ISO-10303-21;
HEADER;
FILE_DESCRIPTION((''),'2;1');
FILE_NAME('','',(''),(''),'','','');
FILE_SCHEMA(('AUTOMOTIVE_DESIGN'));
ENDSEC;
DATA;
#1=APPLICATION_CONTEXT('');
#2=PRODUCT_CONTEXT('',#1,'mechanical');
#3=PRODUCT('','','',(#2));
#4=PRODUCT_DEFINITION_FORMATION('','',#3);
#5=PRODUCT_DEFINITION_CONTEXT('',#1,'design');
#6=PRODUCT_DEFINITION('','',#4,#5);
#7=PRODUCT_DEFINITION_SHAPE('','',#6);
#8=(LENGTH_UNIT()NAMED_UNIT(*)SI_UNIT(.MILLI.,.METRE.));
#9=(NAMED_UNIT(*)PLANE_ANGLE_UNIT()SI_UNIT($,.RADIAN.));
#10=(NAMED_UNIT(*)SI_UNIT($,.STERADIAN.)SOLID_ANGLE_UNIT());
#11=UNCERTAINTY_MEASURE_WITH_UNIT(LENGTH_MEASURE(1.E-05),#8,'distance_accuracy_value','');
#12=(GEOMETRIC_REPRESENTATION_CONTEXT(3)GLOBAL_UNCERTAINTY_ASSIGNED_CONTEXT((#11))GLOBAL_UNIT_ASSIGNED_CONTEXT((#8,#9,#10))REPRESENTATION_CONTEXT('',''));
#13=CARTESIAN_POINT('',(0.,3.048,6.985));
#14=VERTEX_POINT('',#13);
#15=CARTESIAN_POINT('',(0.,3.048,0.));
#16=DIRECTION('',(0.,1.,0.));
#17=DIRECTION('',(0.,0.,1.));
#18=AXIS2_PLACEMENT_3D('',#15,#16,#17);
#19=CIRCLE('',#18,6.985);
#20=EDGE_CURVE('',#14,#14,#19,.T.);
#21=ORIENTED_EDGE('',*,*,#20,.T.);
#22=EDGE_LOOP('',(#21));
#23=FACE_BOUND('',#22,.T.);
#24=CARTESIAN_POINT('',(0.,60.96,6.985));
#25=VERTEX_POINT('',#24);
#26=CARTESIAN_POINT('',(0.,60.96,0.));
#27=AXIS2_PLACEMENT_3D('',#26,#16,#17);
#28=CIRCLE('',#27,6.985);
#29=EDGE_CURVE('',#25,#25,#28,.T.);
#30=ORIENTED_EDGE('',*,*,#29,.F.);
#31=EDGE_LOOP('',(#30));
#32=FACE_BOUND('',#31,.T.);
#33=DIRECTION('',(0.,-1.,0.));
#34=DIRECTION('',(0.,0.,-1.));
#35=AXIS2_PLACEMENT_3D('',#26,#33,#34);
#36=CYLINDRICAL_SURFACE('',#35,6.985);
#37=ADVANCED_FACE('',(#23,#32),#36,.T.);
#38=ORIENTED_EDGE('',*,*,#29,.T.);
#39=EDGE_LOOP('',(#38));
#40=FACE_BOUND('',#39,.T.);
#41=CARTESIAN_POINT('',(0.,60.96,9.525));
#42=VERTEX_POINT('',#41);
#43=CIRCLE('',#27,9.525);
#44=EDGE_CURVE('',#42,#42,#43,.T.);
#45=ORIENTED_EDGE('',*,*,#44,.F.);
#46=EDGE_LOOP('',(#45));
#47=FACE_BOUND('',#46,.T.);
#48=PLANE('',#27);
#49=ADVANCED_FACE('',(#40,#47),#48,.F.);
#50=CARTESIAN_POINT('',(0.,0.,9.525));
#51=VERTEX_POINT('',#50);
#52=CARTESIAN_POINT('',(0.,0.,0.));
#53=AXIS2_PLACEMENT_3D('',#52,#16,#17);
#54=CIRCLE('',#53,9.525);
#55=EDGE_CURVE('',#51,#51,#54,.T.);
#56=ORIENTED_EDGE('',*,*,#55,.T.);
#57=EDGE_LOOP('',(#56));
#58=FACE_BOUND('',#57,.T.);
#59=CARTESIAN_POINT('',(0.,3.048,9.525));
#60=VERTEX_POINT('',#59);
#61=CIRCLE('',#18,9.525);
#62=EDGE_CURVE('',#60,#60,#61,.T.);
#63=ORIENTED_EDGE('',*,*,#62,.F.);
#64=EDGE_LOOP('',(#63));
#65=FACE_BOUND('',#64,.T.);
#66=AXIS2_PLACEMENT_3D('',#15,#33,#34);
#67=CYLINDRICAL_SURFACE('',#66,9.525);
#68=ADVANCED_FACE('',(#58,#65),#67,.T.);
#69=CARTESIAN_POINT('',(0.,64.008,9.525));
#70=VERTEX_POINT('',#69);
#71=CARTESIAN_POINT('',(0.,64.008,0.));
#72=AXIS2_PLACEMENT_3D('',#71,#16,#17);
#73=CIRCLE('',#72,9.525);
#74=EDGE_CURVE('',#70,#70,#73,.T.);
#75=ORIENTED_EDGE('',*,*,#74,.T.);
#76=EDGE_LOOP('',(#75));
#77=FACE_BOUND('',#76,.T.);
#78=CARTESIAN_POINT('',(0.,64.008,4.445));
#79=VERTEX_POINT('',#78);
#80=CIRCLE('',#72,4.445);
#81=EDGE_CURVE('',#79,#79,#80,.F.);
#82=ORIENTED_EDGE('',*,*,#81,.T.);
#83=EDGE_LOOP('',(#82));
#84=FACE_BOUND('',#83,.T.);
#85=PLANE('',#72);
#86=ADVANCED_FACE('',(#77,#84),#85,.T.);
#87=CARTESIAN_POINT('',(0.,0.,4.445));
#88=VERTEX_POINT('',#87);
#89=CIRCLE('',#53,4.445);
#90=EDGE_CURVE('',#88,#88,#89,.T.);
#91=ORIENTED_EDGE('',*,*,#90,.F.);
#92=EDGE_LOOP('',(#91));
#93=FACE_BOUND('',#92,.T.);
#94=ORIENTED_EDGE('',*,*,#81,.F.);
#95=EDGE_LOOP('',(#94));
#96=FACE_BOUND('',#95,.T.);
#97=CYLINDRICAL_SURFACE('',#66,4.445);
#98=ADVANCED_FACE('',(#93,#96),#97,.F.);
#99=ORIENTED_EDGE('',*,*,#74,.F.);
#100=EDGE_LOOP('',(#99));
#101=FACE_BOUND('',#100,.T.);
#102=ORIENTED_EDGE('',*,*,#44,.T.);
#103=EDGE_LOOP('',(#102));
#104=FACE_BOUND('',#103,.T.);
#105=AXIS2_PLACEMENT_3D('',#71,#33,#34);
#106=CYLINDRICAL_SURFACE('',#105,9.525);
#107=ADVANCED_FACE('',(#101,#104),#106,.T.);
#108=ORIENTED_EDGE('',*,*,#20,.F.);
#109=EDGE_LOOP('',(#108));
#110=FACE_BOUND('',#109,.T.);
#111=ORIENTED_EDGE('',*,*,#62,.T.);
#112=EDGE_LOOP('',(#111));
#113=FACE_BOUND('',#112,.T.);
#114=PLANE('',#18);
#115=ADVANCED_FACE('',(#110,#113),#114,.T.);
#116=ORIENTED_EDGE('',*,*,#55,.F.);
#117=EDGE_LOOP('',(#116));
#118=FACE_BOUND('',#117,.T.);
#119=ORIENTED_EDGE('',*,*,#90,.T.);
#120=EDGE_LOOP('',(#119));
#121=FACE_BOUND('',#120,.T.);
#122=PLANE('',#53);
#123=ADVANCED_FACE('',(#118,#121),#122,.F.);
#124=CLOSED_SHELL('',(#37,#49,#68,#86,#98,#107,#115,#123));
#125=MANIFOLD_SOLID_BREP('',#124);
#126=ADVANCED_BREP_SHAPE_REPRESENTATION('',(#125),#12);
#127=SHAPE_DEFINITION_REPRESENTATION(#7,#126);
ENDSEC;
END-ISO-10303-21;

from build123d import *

# Parameters (mm, degrees)
SKETCH1_R           = 9.525
SKETCH1_R_2         = 4.445
BOSS_EXTRUDE1_DEPTH = 3.048
SKETCH2_R           = 6.985
SKETCH2_R_2         = 4.445
BOSS_EXTRUDE2_DEPTH = 57.912
SKETCH3_R           = 9.525
SKETCH3_R_2         = 6.985
SKETCH3_R_3         = 4.445
BOSS_EXTRUDE3_DEPTH = 3.048


with BuildPart() as part:
    # Sketch1 → Boss-Extrude1 (new body)
    with BuildSketch(Plane(origin=(0, 0, 0), x_dir=(1, 0, 0), z_dir=(0, 1, 0))):
        with Locations(Location((0, 0, 0), (0, 0, 270))):  # turned: the seam where the file's is
            Circle(SKETCH1_R)
        with Locations(Location((0, 0, 0), (0, 0, 270))):  # turned: the seam where the file's is
            Circle(SKETCH1_R_2, mode=Mode.SUBTRACT)
    extrude(amount=BOSS_EXTRUDE1_DEPTH)

    # Sketch2 → Boss-Extrude2 (add)
    with BuildSketch(Plane(origin=(0, 3.048, 0), x_dir=(1, 0, 0), z_dir=(0, 1, 0))):
        with Locations(Location((0, 0, 0), (0, 0, 270))):  # turned: the seam where the file's is
            Circle(SKETCH2_R)
        with Locations(Location((0, 0, 0), (0, 0, 270))):  # turned: the seam where the file's is
            Circle(SKETCH2_R_2, mode=Mode.SUBTRACT)
    extrude(amount=BOSS_EXTRUDE2_DEPTH)

    # Sketch3 → Boss-Extrude3 (add)
    with BuildSketch(Plane(origin=(0, 60.96, 0), x_dir=(1, 0, 0), z_dir=(0, 1, 0))):
        with Locations(Location((0, 0, 0), (0, 0, 270))):  # turned: the seam where the file's is
            Circle(SKETCH3_R)
        with Locations(Location((0, 0, 0), (0, 0, 270))):  # turned: the seam where the file's is
            Circle(SKETCH3_R_2, mode=Mode.SUBTRACT)
        with Locations(Location((0, 0, 0), (0, 0, 270))):  # turned: the seam where the file's is
            Circle(SKETCH3_R_2)
        with Locations(Location((0, 0, 0), (0, 0, 270))):  # turned: the seam where the file's is
            Circle(SKETCH3_R_3, mode=Mode.SUBTRACT)
    extrude(amount=BOSS_EXTRUDE3_DEPTH)


solid = part.part
